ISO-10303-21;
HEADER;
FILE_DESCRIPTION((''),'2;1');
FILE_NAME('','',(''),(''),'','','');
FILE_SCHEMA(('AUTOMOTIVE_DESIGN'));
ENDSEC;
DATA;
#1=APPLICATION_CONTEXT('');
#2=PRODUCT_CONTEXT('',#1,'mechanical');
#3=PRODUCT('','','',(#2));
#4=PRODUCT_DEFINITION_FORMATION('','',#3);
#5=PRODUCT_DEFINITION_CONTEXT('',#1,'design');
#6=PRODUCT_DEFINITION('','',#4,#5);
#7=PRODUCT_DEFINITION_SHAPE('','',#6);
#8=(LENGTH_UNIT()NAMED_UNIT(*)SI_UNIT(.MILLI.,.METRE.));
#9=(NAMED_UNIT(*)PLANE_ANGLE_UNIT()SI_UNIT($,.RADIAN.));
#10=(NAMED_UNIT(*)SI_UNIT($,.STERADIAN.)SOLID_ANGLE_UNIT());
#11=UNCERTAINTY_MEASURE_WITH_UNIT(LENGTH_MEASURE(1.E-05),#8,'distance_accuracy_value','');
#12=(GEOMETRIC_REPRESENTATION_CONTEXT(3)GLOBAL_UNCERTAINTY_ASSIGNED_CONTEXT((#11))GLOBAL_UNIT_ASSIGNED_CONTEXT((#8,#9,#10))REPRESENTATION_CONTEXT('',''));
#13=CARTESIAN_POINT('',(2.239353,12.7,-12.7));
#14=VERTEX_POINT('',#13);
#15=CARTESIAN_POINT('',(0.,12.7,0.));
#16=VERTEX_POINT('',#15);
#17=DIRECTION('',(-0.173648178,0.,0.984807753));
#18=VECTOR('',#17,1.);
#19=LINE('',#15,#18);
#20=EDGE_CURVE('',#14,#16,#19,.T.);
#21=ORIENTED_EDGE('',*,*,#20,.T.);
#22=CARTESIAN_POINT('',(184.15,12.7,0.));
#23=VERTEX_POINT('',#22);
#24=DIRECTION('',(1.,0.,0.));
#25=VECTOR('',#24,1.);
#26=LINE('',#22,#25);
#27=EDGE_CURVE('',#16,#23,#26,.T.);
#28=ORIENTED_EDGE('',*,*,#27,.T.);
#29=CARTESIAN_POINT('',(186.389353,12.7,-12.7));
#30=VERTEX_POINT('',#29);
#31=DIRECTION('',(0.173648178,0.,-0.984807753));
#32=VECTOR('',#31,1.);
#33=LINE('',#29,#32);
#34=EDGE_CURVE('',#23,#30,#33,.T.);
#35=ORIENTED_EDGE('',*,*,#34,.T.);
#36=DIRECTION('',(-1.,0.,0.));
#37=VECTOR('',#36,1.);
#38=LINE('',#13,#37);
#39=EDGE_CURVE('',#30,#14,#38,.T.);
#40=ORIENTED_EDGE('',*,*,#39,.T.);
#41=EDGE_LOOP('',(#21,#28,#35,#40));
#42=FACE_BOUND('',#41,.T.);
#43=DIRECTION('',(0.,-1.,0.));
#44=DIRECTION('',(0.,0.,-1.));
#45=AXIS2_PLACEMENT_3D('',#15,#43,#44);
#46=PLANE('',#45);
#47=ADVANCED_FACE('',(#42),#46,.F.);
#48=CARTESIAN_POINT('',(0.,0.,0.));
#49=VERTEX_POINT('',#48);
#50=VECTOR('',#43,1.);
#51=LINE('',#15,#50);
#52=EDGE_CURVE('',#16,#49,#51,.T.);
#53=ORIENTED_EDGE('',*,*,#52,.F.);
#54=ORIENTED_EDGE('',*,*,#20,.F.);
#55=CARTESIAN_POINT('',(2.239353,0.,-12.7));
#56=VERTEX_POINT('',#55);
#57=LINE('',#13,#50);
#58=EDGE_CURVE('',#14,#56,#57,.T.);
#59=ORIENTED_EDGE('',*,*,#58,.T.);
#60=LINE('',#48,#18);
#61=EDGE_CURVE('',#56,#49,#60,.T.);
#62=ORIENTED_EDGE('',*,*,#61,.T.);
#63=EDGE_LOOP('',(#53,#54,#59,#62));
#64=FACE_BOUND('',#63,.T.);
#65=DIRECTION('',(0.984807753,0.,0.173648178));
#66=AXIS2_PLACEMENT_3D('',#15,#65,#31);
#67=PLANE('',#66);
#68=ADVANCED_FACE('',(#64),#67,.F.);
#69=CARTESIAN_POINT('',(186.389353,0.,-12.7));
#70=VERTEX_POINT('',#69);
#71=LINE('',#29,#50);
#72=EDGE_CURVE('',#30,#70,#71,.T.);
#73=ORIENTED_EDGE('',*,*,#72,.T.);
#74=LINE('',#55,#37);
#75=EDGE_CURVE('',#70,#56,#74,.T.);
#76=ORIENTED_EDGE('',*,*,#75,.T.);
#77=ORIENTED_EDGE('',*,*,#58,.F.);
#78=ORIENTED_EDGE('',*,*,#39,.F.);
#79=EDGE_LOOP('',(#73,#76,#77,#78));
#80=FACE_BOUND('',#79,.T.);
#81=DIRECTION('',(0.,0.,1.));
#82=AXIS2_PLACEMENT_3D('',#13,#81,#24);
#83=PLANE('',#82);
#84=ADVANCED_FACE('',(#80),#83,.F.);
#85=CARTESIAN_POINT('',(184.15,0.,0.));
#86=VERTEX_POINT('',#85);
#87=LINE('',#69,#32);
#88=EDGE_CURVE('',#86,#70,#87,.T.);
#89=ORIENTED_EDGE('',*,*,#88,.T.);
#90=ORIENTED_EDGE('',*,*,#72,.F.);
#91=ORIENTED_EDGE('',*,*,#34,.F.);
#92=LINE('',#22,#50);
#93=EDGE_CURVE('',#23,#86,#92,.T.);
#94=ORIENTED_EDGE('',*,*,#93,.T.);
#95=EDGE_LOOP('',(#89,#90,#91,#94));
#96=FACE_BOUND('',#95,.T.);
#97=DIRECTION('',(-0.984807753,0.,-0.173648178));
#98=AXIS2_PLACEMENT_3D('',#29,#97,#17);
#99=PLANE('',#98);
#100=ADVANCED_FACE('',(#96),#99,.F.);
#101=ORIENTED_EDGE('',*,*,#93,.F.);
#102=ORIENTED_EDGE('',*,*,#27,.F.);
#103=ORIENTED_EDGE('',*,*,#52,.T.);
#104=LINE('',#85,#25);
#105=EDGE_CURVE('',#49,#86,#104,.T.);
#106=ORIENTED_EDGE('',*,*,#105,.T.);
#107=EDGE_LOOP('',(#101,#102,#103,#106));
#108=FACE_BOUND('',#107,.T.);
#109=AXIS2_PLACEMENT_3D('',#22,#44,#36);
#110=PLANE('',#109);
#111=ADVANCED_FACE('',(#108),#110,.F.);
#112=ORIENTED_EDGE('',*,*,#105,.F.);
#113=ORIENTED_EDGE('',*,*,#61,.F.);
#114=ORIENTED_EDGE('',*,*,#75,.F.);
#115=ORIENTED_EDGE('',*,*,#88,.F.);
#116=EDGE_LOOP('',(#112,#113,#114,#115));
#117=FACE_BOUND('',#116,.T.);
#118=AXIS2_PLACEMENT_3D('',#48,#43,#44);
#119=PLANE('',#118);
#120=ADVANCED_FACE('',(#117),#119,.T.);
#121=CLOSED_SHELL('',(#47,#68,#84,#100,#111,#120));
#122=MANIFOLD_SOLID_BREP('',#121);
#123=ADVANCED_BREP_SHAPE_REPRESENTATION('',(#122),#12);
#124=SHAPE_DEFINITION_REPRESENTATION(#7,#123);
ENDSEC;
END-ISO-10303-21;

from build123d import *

# Parameters (mm, degrees)
BOSS_EXTRUDE1_DEPTH = 12.7


with BuildPart() as part:
    # Sketch1 → Boss-Extrude1 (new body)
    with BuildSketch(Plane(origin=(0, 0, 0), x_dir=(1, 0, 0), z_dir=(0, 1, 0))):
        Polygon((0, 0), (2.239352655, 12.7), (186.389352655, 12.7), (184.15, 0), align=None)
    extrude(amount=BOSS_EXTRUDE1_DEPTH)


solid = part.part
